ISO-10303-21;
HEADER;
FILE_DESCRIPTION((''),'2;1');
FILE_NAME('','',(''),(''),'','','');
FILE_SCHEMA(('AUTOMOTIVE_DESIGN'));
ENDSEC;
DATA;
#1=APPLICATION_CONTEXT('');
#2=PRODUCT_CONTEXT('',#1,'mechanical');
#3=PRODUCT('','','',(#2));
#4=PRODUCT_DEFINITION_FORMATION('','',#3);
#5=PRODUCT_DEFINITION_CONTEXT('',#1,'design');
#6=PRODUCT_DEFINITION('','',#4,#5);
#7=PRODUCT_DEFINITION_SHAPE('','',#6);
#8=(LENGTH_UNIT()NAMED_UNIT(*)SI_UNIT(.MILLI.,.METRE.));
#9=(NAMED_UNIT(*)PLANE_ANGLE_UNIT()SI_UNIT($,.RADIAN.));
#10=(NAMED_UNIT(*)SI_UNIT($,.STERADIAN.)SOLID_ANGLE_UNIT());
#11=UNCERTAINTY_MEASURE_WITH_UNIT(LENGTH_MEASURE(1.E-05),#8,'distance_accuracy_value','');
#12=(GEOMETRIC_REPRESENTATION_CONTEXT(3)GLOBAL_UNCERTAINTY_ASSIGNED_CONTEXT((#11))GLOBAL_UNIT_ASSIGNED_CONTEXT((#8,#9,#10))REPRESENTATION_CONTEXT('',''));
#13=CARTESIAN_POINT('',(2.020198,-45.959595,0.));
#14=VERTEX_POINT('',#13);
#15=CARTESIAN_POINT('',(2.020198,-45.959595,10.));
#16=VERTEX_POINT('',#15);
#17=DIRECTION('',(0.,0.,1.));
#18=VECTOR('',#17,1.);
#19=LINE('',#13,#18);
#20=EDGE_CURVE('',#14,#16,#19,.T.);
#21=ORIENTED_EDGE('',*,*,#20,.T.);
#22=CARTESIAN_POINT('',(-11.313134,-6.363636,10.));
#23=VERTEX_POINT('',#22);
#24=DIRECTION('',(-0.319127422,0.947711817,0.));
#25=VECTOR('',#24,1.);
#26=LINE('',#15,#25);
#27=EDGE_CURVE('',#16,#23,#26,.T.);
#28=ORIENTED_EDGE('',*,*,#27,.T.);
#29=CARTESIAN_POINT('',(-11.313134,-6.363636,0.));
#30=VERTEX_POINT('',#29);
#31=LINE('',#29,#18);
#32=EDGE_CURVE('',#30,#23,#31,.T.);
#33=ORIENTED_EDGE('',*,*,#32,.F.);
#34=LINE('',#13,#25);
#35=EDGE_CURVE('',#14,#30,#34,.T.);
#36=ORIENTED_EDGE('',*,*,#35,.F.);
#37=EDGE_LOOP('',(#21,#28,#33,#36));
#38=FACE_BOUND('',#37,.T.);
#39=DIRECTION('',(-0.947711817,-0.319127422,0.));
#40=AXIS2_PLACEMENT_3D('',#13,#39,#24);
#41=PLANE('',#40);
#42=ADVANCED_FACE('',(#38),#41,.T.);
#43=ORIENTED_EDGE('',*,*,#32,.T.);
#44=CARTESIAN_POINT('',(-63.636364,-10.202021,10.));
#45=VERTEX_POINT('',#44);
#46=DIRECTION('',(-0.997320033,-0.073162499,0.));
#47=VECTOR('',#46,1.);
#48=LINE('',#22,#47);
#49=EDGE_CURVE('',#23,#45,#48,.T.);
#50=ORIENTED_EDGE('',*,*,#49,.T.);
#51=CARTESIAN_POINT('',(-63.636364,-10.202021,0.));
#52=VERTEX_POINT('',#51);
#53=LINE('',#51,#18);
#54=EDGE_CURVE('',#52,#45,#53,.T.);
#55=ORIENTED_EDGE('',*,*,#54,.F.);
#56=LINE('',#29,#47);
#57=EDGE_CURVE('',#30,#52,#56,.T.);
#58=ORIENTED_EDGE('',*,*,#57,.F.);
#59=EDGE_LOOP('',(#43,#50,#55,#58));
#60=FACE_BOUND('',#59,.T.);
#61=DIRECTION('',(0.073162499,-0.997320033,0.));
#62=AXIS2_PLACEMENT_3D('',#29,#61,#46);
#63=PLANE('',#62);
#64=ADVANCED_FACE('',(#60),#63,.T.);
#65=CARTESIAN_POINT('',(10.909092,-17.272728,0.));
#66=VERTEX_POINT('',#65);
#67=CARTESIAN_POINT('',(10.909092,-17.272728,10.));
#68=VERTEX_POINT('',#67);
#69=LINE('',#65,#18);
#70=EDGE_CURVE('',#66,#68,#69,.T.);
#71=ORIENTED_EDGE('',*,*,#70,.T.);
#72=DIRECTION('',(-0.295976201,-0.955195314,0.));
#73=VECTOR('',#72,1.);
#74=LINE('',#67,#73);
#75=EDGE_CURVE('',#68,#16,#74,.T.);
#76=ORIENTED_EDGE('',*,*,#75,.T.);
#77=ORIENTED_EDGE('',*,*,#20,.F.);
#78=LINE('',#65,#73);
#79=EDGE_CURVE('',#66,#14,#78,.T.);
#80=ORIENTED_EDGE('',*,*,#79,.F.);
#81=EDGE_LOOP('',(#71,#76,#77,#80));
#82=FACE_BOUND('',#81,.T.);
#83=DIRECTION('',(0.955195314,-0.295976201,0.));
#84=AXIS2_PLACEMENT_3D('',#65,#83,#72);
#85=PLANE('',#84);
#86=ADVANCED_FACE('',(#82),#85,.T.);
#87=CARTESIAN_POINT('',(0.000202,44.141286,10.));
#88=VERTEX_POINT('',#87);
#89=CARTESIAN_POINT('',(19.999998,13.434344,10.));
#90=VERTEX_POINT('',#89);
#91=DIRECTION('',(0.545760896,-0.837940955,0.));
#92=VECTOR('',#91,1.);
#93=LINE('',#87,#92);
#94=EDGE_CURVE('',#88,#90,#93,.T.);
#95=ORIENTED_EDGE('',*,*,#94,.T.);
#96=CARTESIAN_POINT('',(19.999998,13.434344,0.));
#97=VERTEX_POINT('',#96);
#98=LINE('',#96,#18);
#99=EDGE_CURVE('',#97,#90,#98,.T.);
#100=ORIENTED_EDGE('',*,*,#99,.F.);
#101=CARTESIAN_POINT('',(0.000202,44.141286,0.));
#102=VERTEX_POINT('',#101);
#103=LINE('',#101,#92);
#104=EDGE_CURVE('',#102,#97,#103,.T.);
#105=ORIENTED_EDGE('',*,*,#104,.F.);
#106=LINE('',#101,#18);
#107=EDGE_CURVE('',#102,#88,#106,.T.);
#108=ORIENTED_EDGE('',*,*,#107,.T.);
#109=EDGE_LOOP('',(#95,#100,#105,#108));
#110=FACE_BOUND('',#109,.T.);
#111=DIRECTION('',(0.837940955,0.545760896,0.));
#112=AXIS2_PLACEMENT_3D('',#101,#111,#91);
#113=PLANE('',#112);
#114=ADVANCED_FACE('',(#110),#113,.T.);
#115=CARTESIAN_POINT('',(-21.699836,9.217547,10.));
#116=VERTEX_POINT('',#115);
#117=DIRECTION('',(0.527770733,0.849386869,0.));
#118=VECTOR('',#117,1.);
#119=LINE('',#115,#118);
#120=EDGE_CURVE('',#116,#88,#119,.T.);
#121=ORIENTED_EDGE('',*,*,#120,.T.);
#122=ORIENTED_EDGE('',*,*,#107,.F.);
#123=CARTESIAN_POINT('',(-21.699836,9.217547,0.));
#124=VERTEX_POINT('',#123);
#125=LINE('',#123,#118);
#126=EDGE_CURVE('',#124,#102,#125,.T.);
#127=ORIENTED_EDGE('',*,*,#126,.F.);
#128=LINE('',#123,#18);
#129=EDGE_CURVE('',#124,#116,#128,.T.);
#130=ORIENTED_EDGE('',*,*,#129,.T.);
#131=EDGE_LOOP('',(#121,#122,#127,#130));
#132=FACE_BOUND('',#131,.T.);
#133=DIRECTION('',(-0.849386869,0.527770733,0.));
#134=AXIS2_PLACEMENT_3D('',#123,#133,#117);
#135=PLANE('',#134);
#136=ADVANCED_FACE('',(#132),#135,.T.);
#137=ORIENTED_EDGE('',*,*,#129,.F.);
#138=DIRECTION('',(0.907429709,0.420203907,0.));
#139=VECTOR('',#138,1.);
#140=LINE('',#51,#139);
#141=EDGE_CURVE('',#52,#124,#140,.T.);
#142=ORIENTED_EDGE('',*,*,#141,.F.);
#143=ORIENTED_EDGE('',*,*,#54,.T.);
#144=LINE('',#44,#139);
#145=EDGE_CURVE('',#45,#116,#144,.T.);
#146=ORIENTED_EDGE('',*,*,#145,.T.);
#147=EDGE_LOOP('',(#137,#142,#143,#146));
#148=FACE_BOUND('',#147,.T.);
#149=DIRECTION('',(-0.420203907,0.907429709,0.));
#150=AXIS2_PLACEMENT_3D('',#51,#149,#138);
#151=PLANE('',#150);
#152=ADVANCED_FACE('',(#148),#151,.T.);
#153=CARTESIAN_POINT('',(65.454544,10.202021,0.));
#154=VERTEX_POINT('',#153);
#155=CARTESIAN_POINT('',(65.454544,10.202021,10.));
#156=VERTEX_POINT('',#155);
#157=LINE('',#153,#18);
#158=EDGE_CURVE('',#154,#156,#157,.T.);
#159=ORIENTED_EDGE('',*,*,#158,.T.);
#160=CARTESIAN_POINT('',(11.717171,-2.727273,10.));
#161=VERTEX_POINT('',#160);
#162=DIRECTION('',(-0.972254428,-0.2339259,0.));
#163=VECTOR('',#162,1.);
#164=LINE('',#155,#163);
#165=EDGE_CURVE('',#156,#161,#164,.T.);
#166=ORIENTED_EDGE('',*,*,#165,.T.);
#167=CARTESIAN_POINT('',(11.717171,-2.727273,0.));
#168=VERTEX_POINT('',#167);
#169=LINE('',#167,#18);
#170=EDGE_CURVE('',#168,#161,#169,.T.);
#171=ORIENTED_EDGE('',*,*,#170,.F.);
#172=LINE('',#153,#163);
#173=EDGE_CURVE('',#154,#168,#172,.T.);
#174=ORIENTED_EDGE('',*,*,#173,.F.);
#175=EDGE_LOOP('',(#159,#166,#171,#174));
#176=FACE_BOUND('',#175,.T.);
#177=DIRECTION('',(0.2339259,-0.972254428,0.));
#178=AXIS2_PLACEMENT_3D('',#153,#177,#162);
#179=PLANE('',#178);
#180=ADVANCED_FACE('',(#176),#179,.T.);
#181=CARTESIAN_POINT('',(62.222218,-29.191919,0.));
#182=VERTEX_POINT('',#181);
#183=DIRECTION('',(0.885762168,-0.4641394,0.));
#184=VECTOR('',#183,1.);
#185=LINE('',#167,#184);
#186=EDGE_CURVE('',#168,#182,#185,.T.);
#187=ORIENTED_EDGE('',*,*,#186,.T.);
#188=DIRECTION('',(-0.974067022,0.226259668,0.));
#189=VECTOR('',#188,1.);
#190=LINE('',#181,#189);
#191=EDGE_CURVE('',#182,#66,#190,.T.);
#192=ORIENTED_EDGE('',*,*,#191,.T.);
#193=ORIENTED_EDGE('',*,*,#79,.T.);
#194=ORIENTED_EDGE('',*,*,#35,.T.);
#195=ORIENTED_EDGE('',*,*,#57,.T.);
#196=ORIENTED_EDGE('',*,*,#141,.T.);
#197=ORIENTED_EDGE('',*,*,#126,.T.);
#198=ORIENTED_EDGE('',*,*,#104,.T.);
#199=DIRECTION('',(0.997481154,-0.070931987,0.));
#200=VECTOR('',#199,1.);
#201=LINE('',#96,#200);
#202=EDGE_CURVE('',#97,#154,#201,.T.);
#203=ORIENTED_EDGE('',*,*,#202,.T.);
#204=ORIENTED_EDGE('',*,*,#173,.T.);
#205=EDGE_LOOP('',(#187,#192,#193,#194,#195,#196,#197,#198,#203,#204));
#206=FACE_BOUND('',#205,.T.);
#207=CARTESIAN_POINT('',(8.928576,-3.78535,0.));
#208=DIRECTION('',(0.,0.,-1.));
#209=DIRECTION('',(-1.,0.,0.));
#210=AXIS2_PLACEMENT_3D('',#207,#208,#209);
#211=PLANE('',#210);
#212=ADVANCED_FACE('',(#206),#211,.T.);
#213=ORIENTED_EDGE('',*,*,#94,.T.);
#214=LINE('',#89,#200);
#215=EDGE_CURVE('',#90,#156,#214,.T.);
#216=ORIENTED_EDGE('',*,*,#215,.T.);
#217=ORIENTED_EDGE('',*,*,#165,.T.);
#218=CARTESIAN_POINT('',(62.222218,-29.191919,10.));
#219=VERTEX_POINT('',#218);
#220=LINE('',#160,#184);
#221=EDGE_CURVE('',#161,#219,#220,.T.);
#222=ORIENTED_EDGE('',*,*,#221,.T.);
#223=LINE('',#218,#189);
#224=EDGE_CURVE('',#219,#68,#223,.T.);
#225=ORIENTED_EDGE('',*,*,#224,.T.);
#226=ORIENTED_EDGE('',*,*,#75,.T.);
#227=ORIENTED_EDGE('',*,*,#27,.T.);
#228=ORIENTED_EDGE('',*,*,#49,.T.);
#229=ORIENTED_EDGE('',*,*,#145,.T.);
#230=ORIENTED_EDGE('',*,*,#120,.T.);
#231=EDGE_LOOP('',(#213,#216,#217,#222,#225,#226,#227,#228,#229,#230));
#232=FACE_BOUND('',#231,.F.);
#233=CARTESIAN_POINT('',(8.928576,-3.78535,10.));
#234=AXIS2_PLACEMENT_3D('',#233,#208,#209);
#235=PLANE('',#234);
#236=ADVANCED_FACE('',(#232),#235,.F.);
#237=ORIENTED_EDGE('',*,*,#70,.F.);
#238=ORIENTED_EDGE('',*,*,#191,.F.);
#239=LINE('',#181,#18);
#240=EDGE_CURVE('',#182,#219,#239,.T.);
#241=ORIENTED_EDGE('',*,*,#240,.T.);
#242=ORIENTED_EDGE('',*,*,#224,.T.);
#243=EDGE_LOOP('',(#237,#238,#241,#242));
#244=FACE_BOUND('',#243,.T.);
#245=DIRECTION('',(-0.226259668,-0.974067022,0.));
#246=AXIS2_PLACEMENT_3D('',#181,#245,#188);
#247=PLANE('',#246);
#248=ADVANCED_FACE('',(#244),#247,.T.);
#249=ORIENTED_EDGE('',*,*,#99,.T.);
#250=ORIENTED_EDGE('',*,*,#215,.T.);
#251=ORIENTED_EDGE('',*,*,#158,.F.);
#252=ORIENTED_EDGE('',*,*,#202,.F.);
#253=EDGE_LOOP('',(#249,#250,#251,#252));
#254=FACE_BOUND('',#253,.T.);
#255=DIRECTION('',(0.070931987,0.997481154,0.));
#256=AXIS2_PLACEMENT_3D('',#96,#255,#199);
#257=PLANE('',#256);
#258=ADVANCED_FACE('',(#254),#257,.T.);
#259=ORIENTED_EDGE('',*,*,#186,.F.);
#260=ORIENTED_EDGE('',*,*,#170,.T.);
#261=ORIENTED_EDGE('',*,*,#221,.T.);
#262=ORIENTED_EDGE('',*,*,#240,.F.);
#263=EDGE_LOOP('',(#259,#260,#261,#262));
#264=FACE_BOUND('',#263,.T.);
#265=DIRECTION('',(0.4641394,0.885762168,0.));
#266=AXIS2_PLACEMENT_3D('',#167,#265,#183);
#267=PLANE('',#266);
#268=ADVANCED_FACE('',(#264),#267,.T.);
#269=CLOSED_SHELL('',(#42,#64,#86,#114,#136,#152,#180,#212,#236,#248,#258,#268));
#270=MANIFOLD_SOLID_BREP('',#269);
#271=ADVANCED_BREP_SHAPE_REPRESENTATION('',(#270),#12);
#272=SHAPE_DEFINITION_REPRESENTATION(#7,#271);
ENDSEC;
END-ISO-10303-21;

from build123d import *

# Parameters (mm, degrees)
PAD_DEPTH = 10


with BuildPart() as part:
    # Sketch → Pad (new body)
    with BuildSketch(Plane.XY):
        Polygon((-21.699836, 9.217547), (0.000202, 44.141286), (19.999998, 13.434344), (65.454544, 10.202021), (11.717171, -2.727273), (62.222218, -29.191919), (10.909092, -17.272728), (2.020198, -45.959595), (-11.313134, -6.363636), (-63.636364, -10.202021), align=None)
    extrude(amount=PAD_DEPTH)


solid = part.part
